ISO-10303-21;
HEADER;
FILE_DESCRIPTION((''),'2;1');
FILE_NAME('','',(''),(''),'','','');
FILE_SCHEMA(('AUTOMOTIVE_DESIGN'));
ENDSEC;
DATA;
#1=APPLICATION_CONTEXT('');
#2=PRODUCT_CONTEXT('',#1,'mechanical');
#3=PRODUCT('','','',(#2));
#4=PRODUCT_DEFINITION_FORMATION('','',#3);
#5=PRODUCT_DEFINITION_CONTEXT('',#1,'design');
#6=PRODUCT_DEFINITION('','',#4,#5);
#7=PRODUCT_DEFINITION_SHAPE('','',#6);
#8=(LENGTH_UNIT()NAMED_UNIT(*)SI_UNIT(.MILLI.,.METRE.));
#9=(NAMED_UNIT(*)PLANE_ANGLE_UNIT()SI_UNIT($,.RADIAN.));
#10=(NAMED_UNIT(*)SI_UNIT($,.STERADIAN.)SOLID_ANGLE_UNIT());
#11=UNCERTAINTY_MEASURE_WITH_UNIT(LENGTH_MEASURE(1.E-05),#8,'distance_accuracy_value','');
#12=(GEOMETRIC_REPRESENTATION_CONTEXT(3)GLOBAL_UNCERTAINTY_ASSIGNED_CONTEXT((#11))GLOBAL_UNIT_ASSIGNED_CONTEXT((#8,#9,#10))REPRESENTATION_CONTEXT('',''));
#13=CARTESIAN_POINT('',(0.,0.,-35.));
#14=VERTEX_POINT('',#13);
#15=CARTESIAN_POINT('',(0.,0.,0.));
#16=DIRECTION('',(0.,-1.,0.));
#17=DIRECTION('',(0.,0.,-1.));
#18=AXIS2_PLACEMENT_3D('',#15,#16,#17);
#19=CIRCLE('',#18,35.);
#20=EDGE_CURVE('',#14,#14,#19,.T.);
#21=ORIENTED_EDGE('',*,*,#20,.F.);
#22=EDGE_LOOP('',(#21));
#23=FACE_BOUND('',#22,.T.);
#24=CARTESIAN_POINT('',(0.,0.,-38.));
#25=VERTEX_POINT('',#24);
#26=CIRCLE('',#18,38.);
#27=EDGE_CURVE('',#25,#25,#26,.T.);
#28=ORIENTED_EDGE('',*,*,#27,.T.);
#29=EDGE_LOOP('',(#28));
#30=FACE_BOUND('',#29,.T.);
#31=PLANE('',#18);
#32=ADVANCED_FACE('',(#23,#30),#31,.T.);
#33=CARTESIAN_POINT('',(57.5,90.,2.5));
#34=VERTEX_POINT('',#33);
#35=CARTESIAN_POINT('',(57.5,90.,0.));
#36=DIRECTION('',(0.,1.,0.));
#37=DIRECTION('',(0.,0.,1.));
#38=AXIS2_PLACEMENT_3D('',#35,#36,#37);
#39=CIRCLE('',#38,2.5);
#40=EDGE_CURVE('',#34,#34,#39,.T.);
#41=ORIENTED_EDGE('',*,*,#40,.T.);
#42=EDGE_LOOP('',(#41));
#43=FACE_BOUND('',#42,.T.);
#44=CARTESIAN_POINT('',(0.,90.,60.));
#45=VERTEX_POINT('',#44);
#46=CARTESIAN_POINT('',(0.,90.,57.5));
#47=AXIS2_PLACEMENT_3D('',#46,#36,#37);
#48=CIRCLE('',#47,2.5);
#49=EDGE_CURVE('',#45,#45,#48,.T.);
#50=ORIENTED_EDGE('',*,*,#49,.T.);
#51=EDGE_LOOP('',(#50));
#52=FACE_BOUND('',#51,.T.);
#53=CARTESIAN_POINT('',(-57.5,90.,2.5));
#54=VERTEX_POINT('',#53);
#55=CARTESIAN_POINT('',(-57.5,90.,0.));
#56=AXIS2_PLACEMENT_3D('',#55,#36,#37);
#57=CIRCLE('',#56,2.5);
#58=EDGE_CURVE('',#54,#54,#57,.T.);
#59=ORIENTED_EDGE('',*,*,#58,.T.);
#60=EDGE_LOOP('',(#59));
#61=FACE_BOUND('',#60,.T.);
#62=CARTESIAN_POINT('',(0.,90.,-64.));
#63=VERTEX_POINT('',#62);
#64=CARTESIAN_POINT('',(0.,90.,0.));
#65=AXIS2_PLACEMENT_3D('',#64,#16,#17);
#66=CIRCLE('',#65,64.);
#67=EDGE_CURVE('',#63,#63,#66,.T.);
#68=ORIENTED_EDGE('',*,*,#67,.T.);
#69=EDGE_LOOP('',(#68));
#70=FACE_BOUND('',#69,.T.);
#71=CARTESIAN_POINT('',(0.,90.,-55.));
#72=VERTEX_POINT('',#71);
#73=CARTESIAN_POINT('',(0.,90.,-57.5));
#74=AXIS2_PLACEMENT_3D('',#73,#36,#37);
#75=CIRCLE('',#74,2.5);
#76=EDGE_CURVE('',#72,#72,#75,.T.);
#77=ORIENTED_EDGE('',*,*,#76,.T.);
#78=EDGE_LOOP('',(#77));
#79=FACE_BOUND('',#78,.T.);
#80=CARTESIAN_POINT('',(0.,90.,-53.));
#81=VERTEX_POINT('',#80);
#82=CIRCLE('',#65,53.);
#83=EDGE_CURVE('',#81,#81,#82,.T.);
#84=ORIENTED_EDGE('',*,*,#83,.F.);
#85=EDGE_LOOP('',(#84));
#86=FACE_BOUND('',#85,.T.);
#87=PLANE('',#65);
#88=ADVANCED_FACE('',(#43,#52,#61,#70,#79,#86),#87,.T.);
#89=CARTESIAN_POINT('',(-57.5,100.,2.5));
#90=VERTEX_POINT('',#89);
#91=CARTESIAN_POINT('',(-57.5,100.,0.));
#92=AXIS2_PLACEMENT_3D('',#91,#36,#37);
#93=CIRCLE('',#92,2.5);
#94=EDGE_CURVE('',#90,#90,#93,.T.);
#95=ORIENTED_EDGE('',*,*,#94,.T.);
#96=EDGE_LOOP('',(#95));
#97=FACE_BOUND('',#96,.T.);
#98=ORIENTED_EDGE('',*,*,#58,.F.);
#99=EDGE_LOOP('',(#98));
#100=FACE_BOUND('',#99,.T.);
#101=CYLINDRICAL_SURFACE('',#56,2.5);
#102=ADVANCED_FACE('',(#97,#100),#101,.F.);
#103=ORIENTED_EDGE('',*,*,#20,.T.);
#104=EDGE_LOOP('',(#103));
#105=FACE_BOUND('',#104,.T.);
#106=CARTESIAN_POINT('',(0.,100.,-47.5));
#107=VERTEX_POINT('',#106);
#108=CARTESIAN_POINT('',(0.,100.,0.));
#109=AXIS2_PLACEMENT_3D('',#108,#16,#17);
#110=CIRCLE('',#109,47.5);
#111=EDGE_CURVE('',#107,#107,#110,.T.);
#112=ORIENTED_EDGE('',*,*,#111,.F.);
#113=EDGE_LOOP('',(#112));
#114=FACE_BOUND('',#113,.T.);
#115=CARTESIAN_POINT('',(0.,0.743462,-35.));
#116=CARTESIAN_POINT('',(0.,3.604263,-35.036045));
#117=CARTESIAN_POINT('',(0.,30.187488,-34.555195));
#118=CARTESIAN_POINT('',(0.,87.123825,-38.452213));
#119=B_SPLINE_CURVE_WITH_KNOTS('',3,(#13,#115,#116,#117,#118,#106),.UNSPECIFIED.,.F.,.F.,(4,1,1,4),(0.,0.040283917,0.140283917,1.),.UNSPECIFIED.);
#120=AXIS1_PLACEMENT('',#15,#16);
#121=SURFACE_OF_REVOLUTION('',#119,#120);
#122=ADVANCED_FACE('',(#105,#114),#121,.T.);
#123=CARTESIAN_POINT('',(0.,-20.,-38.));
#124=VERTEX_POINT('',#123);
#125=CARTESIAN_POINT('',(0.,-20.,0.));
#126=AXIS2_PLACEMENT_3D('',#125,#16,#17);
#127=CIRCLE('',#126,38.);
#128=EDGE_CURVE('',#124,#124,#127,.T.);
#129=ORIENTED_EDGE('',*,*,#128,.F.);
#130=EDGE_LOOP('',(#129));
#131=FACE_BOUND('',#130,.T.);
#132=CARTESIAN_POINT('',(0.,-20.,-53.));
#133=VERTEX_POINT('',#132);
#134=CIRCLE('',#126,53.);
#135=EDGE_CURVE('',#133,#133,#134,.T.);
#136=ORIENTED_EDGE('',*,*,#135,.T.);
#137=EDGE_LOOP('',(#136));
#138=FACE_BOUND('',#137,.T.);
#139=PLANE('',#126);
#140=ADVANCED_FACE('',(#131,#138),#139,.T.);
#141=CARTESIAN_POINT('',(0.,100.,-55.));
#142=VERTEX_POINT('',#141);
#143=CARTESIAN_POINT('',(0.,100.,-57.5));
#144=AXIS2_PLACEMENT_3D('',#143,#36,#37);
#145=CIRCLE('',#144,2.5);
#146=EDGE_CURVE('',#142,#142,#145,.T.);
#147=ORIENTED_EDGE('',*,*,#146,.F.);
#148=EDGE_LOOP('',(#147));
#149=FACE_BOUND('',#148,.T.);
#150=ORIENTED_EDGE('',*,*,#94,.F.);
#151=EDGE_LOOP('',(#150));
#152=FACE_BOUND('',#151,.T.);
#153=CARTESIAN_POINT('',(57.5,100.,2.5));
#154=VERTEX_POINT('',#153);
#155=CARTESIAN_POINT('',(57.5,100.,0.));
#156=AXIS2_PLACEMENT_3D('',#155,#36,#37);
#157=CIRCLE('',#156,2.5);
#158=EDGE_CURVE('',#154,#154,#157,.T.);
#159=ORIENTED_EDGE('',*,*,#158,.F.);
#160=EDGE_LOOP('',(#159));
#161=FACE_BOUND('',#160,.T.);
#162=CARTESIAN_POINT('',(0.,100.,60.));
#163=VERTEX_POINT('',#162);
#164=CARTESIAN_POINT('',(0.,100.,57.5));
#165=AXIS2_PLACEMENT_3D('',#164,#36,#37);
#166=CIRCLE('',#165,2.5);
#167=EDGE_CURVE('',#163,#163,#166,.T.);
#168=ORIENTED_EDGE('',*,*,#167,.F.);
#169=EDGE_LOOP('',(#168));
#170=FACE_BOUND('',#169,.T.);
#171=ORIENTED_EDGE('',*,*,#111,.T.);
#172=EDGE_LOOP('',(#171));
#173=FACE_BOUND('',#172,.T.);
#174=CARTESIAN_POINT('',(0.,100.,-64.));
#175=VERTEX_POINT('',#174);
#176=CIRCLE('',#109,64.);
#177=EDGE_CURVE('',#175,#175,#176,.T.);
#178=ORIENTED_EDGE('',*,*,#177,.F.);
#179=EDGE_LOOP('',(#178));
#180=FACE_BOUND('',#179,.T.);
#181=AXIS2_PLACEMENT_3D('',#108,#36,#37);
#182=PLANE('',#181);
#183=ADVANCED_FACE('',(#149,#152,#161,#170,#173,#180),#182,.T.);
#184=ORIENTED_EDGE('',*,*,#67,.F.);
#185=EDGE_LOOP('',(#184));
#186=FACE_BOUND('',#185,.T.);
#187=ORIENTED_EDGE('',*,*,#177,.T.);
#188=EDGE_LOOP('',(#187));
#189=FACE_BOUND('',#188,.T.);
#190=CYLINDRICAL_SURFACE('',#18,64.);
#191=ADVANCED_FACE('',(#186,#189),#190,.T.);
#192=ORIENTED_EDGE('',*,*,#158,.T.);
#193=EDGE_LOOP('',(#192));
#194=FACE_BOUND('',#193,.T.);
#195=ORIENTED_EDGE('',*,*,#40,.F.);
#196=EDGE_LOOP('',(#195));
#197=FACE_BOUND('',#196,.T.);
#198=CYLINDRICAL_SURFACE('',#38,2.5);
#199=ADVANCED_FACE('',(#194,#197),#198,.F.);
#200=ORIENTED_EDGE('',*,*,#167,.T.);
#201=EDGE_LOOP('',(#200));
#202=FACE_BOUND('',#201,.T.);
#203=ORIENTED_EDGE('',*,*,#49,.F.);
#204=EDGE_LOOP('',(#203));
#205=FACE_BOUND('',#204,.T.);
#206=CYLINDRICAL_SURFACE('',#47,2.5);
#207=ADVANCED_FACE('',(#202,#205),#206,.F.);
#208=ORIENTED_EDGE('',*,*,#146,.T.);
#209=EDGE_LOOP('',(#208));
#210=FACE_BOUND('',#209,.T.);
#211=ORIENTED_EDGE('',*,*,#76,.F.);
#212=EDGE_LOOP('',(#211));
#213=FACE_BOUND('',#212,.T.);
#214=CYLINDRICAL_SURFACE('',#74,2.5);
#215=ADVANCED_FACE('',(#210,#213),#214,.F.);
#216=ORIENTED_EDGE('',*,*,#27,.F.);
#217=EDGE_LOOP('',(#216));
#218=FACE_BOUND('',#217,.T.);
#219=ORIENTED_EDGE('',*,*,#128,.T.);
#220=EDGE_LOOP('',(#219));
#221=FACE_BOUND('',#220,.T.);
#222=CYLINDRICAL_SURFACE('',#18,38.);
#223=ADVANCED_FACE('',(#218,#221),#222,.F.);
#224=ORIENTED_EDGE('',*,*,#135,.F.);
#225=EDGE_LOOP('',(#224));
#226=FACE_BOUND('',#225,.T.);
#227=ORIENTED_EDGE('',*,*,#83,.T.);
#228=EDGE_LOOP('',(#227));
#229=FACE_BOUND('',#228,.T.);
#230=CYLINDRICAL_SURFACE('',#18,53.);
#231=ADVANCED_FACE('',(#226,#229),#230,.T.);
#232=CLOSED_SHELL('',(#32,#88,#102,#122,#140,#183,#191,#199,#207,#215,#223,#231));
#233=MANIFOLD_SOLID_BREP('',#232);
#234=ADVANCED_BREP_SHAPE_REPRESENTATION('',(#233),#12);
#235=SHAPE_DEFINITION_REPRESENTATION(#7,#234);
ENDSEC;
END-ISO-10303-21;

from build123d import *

# Parameters (mm, degrees)
SKETCH3_R          = 2.5
CUT_EXTRUDE1_DEPTH = 10


with BuildPart() as part:
    # Sketch1 → Revolve2 (revolve)
    with BuildSketch(Plane(origin=(0, 0, 0), x_dir=(0, 0, -1), z_dir=(1, 0, 0))):
        with BuildLine():
            Line((35, 0), (38, 0))
            Line((38, 0), (38, -20))
            Line((38, -20), (53, -20))
            Line((53, -20), (53, 90))
            Line((53, 90), (56.634888803, 90))
            Line((56.634888803, 90), (64, 90))
            Line((64, 90), (64, 100))
            Line((64, 100), (47.5, 100))
            add(Edge.make_bspline(
                [(35, 0), (35, 0.743462171), (35.036045174, 3.604263203), (34.55519496, 30.18748809), (38.452213163, 87.123824556), (47.5, 100)],
                knots=[0, 0, 0, 0, 0.040283917, 0.140283917, 1, 1, 1, 1], degree=3))
        make_face()
    revolve(axis=Axis((0, 0, 0), (0, 1, 0)))

    # Sketch3 → Cut-Extrude1 (cut)
    with BuildSketch(Plane(origin=(0, 100, 0), x_dir=(1, 0, 0), z_dir=(0, 1, 0))):
        with Locations((0, 57.5)):
            Circle(SKETCH3_R)
        with Locations((57.5, 0)):
            Circle(SKETCH3_R)
        with Locations((0, -57.5)):
            Circle(SKETCH3_R)
        with Locations((-57.5, 0)):
            Circle(SKETCH3_R)
    extrude(amount=-CUT_EXTRUDE1_DEPTH, mode=Mode.SUBTRACT)


solid = part.part
